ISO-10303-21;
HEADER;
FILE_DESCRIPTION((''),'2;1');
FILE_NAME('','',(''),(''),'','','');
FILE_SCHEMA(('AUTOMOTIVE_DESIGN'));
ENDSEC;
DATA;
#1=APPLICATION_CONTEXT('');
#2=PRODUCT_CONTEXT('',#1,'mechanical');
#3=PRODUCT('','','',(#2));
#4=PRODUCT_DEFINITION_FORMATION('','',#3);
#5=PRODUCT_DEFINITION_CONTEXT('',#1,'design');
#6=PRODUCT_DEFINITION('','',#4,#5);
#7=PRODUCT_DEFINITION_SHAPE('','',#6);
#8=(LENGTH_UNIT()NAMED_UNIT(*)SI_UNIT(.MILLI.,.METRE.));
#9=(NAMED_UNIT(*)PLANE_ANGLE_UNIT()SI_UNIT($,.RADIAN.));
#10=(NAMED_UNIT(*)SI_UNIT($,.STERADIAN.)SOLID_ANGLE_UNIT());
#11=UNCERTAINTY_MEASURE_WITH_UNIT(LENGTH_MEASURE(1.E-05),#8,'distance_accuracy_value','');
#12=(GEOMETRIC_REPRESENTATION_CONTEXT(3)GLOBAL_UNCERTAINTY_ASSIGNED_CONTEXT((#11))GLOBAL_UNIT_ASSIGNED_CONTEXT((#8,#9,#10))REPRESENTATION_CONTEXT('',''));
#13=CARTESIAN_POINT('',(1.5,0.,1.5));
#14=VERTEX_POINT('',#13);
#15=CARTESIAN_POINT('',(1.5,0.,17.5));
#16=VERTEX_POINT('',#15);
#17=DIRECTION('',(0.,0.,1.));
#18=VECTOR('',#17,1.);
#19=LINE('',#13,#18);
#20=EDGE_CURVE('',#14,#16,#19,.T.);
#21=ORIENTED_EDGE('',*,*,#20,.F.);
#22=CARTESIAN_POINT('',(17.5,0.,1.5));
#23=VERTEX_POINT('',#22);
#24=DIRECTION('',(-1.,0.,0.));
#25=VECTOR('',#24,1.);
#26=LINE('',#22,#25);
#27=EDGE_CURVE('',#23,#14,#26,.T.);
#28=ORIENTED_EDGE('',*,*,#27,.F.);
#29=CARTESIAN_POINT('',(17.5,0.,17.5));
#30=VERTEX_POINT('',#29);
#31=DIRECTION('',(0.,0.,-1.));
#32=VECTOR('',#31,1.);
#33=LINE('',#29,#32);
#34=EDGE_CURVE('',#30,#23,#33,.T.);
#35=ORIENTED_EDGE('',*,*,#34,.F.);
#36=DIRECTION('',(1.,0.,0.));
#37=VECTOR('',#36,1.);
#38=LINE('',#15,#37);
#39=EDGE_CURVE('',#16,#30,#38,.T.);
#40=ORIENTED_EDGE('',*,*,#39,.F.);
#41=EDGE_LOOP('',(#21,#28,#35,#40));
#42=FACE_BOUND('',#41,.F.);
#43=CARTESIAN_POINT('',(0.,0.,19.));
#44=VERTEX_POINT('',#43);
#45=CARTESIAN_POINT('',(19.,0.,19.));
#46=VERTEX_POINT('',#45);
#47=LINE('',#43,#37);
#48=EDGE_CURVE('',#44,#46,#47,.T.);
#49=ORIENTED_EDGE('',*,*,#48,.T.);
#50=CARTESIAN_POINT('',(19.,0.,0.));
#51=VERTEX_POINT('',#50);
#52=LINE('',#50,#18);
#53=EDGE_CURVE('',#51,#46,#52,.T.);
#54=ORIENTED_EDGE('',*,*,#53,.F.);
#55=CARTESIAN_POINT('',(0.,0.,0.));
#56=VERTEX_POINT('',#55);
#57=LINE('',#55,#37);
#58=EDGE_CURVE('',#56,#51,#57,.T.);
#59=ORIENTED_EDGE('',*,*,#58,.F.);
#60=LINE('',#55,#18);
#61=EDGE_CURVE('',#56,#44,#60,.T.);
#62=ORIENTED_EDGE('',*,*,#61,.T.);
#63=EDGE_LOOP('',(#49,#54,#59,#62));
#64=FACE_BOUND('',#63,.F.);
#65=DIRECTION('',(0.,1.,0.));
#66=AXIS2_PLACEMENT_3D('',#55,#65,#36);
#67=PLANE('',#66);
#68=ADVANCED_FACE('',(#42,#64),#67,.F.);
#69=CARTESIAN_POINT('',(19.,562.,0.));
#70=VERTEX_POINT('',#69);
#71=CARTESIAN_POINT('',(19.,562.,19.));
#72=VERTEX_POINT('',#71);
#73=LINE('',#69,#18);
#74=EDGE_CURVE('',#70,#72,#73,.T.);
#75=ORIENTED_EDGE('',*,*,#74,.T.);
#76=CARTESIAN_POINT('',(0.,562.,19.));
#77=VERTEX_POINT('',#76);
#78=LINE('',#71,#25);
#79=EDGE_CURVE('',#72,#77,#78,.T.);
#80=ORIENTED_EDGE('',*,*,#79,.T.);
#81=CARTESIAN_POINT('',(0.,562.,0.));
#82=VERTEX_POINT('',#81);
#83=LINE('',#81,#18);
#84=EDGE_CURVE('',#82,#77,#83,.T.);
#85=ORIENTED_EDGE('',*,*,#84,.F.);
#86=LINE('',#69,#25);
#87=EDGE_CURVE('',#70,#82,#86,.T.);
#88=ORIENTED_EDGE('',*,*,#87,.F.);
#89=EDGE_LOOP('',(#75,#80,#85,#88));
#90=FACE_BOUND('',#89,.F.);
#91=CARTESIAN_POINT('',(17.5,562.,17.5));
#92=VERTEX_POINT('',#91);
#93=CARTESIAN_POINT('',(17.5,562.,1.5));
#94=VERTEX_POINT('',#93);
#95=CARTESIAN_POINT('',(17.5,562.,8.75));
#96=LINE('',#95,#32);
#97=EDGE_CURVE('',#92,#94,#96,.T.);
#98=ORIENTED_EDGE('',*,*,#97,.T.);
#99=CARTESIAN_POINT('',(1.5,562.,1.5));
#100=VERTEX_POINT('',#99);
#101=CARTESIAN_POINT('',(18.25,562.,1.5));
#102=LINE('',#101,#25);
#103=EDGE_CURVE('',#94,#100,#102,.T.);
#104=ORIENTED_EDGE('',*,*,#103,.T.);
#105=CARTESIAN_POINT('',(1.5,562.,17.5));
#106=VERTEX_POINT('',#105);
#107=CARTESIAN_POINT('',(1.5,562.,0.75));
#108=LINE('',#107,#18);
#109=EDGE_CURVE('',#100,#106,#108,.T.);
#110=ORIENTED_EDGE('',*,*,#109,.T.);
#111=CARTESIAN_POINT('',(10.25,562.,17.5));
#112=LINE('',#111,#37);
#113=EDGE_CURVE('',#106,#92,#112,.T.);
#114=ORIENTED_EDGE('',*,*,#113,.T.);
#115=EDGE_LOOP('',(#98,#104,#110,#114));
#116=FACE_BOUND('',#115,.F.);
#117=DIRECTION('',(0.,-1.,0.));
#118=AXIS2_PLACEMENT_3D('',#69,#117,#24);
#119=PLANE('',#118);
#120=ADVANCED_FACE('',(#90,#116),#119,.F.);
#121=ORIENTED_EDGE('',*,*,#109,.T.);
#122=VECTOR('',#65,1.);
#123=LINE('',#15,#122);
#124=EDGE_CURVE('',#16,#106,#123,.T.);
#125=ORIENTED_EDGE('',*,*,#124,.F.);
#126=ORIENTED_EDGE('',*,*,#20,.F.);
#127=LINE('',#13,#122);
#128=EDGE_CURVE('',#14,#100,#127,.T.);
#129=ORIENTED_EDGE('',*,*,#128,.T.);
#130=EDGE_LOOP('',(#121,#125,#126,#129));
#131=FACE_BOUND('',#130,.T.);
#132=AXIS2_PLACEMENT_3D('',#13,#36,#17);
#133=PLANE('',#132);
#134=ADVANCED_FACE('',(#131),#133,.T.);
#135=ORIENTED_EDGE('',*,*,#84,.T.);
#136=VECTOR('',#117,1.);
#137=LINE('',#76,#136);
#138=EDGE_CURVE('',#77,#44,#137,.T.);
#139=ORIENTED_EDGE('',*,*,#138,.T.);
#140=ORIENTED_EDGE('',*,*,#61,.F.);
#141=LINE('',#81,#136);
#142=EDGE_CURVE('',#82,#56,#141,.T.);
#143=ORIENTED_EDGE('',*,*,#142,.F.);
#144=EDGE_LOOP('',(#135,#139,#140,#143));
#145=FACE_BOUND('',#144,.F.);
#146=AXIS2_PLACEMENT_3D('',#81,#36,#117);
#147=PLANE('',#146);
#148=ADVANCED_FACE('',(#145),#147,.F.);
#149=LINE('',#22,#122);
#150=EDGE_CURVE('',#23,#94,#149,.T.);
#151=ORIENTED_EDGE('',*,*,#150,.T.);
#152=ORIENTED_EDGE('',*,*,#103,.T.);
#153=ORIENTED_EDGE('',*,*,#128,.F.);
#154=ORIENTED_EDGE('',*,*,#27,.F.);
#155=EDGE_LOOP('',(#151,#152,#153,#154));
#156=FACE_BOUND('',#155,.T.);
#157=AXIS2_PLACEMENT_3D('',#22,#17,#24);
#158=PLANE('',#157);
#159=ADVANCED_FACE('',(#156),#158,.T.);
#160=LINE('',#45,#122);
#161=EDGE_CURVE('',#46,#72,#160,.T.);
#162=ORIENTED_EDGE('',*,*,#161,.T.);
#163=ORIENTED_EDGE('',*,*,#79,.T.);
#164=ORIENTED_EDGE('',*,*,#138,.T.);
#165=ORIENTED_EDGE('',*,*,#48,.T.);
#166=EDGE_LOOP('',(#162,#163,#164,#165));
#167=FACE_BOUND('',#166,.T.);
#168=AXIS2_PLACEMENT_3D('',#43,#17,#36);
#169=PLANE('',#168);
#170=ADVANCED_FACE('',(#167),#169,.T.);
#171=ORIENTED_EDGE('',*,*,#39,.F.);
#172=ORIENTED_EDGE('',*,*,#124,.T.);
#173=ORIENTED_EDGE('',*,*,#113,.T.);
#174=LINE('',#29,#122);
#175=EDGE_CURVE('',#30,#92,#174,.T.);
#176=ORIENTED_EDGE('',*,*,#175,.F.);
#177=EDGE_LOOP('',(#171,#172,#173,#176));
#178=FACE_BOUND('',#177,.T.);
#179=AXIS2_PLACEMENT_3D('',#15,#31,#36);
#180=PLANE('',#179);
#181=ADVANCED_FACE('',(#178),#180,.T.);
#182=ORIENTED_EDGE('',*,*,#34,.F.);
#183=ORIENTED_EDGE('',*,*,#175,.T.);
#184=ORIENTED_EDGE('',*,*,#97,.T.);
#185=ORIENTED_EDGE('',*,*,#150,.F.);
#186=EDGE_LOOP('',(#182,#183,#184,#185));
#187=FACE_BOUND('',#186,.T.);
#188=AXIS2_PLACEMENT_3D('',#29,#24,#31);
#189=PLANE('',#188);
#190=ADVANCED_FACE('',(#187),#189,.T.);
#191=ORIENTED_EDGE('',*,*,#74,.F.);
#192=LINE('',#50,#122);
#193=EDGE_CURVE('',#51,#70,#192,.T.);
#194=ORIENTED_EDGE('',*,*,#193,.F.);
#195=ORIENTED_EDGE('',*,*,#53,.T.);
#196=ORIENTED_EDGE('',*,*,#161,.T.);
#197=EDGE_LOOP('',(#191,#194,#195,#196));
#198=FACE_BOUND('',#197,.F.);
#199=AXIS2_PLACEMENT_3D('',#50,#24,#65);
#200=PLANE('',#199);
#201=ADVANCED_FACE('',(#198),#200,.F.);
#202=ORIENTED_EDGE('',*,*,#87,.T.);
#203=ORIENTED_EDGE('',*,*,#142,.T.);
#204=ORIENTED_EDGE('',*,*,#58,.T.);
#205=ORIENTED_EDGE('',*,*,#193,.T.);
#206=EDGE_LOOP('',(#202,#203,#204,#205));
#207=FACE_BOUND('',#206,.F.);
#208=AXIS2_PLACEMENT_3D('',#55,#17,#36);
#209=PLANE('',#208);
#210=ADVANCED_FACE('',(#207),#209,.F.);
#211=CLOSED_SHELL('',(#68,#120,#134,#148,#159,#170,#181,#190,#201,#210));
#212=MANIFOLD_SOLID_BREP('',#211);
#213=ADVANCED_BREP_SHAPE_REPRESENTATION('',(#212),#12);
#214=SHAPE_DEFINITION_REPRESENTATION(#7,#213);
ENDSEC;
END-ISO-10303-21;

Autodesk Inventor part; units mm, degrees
ref_plane "YZ Plane" through (0, 0, 0) normal (1, 0, 0) x (0, 1, 0)
ref_plane "XZ Plane" through (0, 0, 0) normal (0, 1, 0) x (-1, 0, 0)
ref_plane "XY Plane" through (0, 0, 0) normal (0, 0, 1) x (1, 0, 0)
sketch "Sketch1" plane through (0, 0, 0) normal (0, 0, 1) x (1, 0, 0)
  line L0 (0, 0) -> (19, 0)
  line L1 (19, 0) -> (19, 562)
  line L2 (19, 562) -> (0, 562)
  line L3 (0, 562) -> (0, 0)
  dimension "d0" = 19
  dimension "d1" = 562
extrude "Extrusion1" add sketch "Sketch1" along normal blind 19
sketch "Sketch2" plane through (0, 0, 0) normal (0, -1, 0) x (1, 0, 0)
  line L0 (0, 0) -> (19, 0) projected
  line L1 (19, 0) -> (19, 19) projected
  line L2 (0, 19) -> (19, 19) projected
  line L3 (0, 0) -> (0, 19) projected
  line L4 (17.5, 17.5) -> (17.5, 1.5)
  line L5 (17.5, 1.5) -> (1.5, 1.5)
  line L6 (1.5, 1.5) -> (1.5, 17.5)
  line L7 (1.5, 17.5) -> (17.5, 17.5)
  dimension "d4" = 1.5
extrude "Extrusion2" cut sketch "Sketch2" against normal through all contours L4 L5 L6 L7
properties part number "C008" material "Aluminum 6061"
